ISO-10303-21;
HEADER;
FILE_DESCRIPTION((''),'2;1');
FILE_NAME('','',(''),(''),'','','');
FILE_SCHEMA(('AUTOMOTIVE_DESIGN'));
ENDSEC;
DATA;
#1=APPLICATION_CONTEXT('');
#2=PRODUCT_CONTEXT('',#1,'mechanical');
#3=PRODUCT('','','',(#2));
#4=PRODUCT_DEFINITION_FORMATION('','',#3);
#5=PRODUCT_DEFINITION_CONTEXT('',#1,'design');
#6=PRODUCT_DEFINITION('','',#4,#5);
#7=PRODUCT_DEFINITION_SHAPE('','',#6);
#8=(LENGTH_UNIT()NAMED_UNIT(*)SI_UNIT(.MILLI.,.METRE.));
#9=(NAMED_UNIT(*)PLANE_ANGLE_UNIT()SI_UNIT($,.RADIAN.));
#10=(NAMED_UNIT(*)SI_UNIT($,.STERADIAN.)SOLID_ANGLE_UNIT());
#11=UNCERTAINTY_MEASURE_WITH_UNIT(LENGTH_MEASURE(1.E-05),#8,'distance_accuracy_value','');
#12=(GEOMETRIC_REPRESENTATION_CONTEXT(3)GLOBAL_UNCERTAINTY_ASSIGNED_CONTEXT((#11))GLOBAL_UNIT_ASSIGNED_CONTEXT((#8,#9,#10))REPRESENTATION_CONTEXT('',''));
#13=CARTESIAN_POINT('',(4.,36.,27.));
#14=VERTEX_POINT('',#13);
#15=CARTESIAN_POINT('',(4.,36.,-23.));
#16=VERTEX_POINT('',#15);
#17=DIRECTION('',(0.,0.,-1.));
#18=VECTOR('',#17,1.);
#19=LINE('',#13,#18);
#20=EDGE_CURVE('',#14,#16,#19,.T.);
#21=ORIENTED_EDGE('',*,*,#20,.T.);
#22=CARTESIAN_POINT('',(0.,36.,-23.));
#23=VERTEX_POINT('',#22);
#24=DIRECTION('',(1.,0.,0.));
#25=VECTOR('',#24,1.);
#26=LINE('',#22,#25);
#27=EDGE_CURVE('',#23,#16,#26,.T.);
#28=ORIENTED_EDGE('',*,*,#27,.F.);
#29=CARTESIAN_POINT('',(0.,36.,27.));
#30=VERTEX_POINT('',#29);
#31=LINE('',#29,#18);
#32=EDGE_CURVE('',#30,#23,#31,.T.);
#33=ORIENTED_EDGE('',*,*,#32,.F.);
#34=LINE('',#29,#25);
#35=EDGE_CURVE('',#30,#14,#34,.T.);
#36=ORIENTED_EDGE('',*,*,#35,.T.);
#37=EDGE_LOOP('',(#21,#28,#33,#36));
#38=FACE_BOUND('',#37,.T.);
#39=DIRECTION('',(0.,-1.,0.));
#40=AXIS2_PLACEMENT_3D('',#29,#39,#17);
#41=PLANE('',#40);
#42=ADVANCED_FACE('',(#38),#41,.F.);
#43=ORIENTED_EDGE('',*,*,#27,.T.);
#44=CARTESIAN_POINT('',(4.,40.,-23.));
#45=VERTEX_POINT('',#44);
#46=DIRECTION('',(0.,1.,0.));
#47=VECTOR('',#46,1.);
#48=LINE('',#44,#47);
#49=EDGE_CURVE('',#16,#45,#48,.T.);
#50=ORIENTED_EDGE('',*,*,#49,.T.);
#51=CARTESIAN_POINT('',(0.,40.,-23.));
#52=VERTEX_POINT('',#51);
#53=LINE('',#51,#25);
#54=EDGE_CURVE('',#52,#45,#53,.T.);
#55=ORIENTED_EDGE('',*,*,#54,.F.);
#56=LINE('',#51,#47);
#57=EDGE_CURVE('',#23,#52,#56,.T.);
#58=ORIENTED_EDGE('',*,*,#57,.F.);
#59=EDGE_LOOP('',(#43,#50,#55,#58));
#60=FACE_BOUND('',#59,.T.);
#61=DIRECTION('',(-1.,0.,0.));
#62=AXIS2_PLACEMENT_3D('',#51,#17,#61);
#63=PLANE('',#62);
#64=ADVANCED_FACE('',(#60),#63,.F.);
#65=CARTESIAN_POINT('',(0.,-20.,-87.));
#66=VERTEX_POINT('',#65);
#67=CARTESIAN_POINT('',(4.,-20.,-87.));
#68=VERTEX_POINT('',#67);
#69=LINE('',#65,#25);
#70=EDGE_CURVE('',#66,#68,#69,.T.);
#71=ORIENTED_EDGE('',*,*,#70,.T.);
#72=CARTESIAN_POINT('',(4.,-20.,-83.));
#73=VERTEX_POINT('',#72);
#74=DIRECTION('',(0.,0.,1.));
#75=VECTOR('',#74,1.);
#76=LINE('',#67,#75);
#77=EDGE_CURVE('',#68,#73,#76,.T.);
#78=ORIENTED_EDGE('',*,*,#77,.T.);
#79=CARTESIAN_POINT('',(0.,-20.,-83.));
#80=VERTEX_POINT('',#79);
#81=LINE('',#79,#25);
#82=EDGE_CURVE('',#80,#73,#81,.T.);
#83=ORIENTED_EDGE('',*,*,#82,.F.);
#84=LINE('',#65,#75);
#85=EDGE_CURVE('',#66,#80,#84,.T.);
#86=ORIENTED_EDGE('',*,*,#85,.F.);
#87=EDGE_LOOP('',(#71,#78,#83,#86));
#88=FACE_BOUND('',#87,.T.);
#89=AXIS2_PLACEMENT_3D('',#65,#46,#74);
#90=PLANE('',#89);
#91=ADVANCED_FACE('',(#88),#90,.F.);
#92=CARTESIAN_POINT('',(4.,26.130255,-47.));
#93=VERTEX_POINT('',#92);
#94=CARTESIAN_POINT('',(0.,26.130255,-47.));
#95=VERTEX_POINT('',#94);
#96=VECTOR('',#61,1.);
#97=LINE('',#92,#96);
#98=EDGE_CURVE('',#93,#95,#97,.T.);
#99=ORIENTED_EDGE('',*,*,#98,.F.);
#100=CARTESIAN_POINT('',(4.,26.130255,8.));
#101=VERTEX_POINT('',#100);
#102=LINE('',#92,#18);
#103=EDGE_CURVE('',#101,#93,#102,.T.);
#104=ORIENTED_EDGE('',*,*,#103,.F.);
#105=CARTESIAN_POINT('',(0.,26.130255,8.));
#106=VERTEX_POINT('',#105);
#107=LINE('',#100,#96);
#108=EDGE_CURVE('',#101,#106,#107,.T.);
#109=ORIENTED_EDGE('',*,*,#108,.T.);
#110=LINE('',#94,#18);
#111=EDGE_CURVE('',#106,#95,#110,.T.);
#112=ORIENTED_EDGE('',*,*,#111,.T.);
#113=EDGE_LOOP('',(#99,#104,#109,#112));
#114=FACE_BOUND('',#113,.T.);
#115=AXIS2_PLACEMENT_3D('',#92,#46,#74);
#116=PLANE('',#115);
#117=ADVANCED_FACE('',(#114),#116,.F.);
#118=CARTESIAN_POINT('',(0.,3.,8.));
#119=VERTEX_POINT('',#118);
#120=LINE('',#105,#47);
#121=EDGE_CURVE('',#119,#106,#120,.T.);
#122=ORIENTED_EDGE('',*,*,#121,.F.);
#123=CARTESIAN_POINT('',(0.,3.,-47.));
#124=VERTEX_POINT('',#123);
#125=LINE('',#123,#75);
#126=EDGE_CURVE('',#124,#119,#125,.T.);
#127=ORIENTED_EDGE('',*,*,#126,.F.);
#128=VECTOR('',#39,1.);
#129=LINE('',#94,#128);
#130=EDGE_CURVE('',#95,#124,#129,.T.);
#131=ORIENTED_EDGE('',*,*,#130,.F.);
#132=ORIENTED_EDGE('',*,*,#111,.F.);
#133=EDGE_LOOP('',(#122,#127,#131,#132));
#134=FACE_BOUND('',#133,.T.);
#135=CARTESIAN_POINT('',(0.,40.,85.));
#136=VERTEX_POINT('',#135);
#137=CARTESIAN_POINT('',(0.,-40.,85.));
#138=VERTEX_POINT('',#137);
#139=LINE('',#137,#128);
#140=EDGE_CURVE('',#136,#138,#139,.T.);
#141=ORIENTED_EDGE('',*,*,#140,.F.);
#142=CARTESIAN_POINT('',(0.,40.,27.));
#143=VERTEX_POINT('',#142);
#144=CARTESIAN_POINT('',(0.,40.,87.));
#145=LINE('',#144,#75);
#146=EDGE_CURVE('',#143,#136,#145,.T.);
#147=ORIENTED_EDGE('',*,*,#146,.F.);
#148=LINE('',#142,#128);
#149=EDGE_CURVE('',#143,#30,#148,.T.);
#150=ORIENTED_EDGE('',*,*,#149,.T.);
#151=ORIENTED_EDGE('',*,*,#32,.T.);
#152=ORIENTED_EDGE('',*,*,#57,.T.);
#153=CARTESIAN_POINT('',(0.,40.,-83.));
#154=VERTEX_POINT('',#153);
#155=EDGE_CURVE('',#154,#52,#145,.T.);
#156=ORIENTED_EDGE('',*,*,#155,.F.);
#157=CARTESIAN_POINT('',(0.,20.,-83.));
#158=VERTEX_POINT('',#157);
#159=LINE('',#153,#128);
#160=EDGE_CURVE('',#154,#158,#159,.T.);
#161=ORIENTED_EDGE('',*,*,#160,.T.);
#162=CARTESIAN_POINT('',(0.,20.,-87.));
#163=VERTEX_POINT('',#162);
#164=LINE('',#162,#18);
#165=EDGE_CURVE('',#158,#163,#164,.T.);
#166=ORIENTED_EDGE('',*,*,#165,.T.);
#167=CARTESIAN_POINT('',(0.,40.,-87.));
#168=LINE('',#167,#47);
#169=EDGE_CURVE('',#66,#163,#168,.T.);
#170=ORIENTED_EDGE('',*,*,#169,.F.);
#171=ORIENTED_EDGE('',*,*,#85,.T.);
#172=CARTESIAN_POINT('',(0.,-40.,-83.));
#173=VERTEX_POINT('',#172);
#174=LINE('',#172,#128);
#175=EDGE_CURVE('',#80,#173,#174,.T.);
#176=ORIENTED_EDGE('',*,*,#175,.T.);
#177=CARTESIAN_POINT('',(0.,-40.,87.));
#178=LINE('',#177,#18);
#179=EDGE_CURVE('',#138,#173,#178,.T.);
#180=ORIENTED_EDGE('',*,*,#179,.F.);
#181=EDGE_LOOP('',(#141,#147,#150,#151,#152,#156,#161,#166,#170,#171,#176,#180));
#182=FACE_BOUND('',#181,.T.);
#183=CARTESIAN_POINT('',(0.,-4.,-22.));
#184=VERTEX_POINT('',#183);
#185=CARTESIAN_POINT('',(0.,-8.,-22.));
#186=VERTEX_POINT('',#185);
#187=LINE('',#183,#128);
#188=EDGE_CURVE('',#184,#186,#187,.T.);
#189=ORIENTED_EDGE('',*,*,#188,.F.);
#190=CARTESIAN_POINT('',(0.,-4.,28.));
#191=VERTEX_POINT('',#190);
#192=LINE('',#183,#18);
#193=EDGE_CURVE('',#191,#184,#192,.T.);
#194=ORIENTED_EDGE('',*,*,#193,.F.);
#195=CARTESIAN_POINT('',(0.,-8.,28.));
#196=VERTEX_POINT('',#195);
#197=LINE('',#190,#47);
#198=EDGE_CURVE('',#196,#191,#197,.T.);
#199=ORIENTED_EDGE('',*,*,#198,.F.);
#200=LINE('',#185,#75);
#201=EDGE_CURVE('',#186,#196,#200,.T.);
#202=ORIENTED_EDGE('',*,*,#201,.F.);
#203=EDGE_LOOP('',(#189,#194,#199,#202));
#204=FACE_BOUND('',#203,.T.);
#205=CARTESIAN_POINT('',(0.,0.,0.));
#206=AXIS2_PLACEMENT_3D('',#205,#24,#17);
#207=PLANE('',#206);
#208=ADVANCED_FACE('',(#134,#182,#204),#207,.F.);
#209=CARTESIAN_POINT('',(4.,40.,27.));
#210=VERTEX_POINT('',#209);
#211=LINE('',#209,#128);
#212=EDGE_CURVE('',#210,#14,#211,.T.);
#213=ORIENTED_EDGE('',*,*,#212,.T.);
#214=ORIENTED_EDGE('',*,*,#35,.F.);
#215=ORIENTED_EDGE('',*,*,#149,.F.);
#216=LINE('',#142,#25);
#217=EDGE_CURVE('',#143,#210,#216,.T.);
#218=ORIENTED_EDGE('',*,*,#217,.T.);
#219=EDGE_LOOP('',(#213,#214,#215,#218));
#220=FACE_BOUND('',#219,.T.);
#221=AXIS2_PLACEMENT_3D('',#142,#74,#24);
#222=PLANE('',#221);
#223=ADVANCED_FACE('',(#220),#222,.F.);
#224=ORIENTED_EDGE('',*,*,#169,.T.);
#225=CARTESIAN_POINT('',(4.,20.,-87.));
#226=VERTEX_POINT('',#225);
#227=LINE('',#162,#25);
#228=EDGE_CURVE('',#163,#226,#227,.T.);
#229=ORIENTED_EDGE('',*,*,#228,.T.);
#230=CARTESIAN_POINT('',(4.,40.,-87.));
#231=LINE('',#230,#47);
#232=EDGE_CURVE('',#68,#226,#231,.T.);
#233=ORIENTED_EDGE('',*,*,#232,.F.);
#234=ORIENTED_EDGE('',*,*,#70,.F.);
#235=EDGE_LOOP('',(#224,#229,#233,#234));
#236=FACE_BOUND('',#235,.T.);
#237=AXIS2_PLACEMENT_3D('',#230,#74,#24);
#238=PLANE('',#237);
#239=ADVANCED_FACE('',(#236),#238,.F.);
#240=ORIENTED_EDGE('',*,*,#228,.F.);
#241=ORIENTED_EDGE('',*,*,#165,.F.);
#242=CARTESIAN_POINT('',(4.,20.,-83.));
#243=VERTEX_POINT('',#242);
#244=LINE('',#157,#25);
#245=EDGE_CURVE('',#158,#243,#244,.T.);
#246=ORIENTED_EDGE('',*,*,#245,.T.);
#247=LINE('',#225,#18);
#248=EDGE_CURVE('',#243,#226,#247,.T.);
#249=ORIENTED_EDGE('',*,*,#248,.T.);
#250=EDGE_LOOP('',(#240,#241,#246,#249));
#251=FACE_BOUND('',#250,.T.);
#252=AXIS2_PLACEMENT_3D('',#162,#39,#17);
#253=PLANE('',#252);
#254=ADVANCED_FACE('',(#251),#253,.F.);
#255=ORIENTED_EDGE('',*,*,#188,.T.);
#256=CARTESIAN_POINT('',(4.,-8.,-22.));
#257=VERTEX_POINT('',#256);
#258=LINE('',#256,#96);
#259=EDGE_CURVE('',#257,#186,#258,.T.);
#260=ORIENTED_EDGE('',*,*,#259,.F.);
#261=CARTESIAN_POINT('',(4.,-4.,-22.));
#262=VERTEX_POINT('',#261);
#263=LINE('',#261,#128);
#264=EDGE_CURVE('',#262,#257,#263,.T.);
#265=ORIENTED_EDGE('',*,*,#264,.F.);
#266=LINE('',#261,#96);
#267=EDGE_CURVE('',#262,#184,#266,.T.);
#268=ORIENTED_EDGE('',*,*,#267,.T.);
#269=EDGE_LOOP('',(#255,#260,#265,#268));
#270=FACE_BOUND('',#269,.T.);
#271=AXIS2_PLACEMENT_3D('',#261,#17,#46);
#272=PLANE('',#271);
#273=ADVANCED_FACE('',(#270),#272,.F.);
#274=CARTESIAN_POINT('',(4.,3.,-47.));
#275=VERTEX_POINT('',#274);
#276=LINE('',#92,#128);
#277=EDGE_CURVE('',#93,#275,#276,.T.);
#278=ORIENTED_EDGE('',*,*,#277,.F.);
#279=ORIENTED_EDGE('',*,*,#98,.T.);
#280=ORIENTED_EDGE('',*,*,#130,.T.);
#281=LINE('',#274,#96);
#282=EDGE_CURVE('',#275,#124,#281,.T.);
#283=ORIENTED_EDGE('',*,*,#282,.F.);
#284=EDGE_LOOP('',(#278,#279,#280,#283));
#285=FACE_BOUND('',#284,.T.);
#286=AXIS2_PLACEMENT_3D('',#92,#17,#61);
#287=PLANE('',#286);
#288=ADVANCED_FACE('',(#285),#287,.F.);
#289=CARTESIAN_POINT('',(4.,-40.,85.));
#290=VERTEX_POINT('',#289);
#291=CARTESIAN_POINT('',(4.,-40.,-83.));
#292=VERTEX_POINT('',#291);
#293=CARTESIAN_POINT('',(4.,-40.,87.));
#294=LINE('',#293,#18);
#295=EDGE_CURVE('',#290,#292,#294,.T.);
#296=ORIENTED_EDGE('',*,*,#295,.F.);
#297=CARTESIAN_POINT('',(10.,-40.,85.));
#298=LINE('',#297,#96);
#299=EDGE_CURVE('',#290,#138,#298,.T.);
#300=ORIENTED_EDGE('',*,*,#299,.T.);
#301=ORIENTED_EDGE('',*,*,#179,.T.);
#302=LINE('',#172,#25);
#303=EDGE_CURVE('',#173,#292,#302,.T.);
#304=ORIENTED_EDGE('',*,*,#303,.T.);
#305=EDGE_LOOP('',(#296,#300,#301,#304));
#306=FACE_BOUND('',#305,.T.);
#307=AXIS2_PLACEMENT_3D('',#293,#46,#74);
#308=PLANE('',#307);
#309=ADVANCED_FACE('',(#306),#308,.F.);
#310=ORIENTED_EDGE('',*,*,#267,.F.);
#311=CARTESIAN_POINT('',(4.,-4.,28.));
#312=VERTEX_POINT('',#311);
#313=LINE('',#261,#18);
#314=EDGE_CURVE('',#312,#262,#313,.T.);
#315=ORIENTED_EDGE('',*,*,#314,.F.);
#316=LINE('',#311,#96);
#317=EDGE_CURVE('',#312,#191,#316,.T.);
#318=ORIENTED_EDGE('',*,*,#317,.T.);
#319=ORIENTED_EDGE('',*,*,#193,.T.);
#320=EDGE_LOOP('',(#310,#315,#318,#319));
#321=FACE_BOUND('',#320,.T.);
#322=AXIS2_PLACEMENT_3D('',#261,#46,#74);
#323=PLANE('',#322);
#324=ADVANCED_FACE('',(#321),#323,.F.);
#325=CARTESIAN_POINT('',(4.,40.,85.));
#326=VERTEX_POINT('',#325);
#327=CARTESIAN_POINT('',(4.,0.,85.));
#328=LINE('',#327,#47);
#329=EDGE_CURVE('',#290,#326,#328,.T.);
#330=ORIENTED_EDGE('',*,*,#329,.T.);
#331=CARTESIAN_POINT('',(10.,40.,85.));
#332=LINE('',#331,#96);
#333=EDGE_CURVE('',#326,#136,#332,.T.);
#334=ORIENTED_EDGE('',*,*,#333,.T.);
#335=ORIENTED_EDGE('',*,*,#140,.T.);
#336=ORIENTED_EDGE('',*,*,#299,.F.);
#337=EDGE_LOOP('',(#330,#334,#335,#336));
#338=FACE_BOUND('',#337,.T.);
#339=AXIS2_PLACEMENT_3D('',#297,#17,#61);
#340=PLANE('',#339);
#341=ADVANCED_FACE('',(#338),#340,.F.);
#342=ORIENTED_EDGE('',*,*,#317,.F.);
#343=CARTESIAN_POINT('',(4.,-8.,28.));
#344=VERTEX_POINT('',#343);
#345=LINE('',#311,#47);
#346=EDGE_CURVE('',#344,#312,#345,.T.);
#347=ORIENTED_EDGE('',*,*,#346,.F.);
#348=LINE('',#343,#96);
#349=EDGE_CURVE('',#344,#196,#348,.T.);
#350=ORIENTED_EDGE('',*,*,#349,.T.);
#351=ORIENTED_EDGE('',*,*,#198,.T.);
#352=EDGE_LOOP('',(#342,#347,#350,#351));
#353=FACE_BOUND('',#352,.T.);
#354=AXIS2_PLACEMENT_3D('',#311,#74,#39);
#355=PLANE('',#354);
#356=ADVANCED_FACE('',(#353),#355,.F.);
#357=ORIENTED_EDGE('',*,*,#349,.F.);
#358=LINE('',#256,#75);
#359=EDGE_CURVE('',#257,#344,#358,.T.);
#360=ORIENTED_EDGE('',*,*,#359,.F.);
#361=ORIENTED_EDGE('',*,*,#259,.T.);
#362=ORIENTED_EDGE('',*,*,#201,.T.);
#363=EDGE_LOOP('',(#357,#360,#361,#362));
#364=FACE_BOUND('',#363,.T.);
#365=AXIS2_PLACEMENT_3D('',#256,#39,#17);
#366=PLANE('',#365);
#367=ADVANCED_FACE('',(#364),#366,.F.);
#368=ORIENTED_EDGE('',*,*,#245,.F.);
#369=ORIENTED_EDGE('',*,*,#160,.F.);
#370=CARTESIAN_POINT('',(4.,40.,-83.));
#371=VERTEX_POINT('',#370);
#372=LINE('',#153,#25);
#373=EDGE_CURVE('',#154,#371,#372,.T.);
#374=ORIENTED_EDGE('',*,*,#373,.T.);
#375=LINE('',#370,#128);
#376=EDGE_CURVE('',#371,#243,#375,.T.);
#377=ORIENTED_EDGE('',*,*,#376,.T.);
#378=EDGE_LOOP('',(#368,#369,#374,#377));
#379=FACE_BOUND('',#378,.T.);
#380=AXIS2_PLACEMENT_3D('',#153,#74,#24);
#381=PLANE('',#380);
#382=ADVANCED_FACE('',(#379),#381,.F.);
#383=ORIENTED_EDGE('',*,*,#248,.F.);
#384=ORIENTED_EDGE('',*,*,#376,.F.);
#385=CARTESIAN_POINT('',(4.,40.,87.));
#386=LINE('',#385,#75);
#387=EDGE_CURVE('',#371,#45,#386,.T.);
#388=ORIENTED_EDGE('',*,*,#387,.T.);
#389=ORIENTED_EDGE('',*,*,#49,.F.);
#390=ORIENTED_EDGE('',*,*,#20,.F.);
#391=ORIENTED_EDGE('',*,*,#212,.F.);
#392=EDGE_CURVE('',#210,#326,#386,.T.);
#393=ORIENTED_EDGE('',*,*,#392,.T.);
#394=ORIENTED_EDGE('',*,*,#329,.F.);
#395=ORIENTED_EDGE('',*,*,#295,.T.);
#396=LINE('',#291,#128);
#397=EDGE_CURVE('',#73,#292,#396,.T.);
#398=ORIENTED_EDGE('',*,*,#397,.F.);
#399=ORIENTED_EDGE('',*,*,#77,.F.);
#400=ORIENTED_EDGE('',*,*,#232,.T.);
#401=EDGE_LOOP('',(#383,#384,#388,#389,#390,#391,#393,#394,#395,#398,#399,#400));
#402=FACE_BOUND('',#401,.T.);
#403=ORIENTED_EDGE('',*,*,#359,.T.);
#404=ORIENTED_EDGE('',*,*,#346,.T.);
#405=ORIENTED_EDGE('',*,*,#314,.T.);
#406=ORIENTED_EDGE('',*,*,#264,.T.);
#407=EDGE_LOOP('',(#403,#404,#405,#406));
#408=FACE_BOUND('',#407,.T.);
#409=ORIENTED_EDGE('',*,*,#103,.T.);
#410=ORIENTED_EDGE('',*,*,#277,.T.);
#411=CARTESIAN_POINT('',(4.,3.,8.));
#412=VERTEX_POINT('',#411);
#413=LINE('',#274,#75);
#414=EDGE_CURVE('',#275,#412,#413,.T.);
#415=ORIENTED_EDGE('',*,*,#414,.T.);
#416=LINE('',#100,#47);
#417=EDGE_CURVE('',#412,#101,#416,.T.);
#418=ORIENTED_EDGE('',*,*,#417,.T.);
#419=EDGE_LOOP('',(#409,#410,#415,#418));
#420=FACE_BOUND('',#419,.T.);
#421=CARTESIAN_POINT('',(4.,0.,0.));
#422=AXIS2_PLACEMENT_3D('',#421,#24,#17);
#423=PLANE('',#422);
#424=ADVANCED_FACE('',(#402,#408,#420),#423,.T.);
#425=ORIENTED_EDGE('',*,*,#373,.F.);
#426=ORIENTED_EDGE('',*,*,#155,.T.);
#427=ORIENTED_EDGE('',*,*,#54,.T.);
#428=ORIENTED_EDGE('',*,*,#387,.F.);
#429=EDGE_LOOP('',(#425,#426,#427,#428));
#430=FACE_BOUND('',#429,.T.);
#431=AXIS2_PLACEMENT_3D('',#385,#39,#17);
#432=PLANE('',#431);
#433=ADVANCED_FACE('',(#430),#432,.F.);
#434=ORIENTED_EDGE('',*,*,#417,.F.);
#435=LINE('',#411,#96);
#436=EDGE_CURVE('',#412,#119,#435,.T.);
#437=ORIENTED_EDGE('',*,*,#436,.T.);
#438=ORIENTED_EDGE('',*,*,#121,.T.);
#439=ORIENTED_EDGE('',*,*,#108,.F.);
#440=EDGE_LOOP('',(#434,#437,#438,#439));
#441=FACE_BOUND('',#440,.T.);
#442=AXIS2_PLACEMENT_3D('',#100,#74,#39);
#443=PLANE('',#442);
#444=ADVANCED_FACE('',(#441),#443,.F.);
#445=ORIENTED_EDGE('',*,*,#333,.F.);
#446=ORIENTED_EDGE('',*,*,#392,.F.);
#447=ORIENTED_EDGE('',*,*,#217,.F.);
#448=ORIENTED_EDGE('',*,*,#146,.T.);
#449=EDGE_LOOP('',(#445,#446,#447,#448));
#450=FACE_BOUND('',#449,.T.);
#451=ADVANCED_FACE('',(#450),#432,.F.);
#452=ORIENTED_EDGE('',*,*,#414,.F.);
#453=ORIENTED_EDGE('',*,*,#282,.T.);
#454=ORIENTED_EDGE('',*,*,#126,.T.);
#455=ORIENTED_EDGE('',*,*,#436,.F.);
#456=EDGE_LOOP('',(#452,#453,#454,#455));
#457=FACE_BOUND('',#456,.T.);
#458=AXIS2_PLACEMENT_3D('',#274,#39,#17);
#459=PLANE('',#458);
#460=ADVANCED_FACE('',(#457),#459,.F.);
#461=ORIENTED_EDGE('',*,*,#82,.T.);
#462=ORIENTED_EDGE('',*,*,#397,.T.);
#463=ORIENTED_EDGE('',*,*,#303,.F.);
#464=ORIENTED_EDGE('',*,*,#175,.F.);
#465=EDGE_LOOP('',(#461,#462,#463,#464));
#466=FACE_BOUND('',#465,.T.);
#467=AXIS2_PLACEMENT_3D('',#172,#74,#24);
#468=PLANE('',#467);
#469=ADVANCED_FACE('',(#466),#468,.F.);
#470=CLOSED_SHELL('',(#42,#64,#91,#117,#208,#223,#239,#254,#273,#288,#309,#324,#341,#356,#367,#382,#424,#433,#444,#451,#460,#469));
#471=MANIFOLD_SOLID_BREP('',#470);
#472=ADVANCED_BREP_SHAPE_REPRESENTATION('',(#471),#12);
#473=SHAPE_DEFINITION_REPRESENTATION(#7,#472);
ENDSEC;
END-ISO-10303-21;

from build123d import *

# Parameters (mm, degrees)
SKETCH_1_W          = 174
SKETCH_1_H          = 80
EXTRUDE_1_DEPTH     = 4
SKETCH_3_W          = 4
SKETCH_3_H          = 20
CUT_EXTRUDE_1_DEPTH = 4
SKETCH_4_W          = 50
SKETCH_4_H          = 4
CUT_EXTRUDE_2_DEPTH = 4
SKETCH_5_W          = 2
SKETCH_5_H          = 80
CUT_EXTRUDE_3_DEPTH = 10
SKETCH_8_W          = 50
SKETCH_8_H          = 4
CUT_EXTRUDE_4_DEPTH = 4
SKETCH_9_W          = 55
SKETCH_9_H          = 23.130254534
CUT_EXTRUDE_5_DEPTH = 4


with BuildPart() as part:
    # 스케치1 → 보스-돌출1 (new body)
    with BuildSketch(Plane(origin=(0, 0, 0), x_dir=(0, 0, -1), z_dir=(1, 0, 0))):
        Rectangle(SKETCH_1_W, SKETCH_1_H)
    extrude(amount=EXTRUDE_1_DEPTH)

    # 스케치3 → 컷-돌출1 (cut)
    with BuildSketch(Plane(origin=(4, 0, 0), x_dir=(0, 0, -1), z_dir=(1, 0, 0))):
        with Locations((85, 30)):
            Rectangle(SKETCH_3_W, SKETCH_3_H)
        with Locations((85, -30)):
            Rectangle(SKETCH_3_W, SKETCH_3_H)
    extrude(amount=-CUT_EXTRUDE_1_DEPTH, mode=Mode.SUBTRACT)

    # 스케치4 → 컷-돌출2 (cut)
    with BuildSketch(Plane(origin=(4, 0, 0), x_dir=(0, 0, -1), z_dir=(1, 0, 0))):
        with Locations((-2, 38)):
            Rectangle(SKETCH_4_W, SKETCH_4_H)
    extrude(amount=-CUT_EXTRUDE_2_DEPTH, mode=Mode.SUBTRACT)

    # 스케치5 → 컷-돌출3 (cut)
    with BuildSketch(Plane.ZY):
        with Locations((86, 0)):
            Rectangle(SKETCH_5_W, SKETCH_5_H)
    extrude(amount=-CUT_EXTRUDE_3_DEPTH, mode=Mode.SUBTRACT)

    # 스케치8 → 컷-돌출4 (cut)
    with BuildSketch(Plane.ZY):
        with Locations((3, -6)):
            Rectangle(SKETCH_8_W, SKETCH_8_H)
    extrude(amount=-CUT_EXTRUDE_4_DEPTH, mode=Mode.SUBTRACT)

    # 스케치9 → 컷-돌출5 (cut)
    with BuildSketch(Plane.ZY):
        with Locations((-19.5, 14.565127267)):
            Rectangle(SKETCH_9_W, SKETCH_9_H)
    extrude(amount=-CUT_EXTRUDE_5_DEPTH, mode=Mode.SUBTRACT)


solid = part.part
